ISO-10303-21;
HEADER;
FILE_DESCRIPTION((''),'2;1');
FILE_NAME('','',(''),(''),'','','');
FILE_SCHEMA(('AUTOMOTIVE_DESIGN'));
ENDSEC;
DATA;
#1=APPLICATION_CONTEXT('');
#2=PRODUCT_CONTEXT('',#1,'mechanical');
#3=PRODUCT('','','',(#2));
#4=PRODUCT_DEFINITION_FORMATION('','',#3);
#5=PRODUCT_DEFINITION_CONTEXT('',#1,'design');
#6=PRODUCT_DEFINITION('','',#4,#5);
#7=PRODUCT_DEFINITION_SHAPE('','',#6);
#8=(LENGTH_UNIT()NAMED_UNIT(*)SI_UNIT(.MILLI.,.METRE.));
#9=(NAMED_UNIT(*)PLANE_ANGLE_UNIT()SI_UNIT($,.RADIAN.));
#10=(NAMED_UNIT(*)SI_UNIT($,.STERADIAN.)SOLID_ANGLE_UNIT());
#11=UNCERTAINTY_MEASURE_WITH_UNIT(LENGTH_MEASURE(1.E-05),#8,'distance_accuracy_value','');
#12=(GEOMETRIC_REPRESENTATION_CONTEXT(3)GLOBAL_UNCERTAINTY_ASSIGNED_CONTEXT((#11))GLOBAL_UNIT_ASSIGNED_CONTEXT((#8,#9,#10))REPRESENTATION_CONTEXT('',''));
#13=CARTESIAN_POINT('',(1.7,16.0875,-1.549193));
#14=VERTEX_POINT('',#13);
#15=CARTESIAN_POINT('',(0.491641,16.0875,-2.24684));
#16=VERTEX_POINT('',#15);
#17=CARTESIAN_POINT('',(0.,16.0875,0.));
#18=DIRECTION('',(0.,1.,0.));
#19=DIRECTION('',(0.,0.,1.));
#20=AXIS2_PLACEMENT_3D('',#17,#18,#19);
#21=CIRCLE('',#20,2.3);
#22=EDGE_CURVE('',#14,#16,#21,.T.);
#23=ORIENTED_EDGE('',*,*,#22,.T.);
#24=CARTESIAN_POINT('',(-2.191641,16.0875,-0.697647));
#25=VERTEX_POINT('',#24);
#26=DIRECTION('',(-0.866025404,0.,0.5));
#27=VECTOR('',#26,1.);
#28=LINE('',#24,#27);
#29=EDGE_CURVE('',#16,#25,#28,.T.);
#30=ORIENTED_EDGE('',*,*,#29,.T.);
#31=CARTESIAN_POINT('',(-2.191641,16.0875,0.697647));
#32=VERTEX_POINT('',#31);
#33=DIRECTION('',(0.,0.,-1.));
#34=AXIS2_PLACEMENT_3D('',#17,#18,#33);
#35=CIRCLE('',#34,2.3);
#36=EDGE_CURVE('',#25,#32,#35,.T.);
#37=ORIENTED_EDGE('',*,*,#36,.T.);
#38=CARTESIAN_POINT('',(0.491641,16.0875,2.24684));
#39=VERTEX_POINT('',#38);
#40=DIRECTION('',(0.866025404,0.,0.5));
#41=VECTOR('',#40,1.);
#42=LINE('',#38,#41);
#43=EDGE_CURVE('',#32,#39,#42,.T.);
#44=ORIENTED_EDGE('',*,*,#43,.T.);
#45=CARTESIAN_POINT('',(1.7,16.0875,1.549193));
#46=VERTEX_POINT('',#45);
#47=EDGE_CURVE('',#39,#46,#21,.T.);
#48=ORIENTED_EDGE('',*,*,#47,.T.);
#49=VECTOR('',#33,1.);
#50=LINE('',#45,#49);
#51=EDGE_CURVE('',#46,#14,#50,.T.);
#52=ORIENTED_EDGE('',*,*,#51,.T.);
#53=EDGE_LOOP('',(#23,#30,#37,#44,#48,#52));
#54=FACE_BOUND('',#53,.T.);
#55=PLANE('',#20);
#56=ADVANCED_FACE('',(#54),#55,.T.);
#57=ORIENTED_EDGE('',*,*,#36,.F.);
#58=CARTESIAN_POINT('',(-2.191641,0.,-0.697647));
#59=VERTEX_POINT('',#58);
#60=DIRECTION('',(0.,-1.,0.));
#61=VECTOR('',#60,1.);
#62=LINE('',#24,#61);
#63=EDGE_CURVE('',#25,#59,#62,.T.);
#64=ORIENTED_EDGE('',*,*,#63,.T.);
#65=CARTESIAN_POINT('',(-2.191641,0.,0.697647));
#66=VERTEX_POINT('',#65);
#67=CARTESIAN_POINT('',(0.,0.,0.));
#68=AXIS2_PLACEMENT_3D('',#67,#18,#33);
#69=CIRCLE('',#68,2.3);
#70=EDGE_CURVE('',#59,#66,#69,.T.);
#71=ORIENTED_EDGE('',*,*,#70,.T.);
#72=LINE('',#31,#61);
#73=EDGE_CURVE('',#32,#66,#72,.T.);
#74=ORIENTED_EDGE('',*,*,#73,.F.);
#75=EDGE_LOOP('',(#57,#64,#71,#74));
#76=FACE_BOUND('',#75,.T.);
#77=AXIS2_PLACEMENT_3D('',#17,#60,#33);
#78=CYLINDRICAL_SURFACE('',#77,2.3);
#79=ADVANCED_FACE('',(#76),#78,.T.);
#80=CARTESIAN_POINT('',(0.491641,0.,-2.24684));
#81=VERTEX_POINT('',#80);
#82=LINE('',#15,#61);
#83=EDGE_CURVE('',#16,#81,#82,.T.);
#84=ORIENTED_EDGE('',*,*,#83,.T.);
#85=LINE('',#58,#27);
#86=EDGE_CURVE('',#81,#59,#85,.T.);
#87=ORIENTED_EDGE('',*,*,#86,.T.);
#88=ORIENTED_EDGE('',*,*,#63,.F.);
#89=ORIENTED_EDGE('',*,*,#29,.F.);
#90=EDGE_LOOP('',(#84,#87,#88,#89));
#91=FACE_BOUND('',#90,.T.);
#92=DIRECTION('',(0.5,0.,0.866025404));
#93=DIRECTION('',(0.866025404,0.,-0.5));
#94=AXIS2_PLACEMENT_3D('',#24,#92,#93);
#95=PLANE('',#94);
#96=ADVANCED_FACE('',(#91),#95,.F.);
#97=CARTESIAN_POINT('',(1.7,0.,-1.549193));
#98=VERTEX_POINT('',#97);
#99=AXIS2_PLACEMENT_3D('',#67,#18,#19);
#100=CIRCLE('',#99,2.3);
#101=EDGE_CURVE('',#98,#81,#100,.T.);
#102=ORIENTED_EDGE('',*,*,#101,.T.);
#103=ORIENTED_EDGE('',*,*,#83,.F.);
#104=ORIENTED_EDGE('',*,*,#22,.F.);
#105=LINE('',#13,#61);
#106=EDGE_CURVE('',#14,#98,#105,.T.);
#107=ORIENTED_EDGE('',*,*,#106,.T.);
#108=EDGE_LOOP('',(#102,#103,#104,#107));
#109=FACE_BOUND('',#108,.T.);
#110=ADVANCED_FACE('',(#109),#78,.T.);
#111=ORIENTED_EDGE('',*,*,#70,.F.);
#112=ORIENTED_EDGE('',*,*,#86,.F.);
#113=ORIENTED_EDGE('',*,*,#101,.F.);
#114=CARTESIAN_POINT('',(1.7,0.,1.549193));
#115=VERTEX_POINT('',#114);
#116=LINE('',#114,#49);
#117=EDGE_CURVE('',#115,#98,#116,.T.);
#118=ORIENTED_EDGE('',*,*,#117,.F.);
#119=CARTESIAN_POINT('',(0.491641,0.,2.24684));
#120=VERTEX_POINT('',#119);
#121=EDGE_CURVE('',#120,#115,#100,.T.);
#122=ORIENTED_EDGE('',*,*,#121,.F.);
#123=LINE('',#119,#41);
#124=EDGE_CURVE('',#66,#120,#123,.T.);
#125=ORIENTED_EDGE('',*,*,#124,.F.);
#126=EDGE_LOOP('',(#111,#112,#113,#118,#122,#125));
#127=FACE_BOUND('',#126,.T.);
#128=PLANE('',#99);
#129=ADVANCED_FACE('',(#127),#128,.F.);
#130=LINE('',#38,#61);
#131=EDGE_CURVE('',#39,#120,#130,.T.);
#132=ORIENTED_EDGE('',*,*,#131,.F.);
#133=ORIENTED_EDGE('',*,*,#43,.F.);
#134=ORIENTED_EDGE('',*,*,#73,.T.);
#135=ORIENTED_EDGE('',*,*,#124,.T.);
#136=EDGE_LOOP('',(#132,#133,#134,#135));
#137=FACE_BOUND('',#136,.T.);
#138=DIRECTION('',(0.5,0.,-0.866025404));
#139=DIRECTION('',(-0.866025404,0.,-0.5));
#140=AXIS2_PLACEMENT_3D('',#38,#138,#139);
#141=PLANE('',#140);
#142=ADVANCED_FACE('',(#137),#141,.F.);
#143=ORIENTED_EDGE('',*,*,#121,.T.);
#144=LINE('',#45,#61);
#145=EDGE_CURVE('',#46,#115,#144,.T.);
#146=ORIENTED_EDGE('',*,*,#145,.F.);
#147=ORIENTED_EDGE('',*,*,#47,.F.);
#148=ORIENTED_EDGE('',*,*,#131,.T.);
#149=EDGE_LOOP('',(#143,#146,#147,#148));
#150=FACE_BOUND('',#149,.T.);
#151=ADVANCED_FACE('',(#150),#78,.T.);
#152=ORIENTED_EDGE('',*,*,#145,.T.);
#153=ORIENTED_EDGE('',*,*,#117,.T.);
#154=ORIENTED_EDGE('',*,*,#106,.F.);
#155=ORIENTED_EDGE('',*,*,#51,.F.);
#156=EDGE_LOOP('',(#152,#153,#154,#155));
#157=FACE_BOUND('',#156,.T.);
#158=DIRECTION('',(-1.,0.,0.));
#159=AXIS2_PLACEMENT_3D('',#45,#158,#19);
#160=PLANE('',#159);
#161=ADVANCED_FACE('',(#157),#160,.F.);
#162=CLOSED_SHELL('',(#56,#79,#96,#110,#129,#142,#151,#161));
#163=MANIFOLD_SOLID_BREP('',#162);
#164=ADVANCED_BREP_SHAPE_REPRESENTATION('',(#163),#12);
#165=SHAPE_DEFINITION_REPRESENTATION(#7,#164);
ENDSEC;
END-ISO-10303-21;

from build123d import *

# Parameters (mm, degrees)
RESSALTO_EXTRUS_O1_DEPTH = 16.0875


with BuildPart() as part:
    # Esboço1 → Ressalto-extrusão1 (new body)
    with BuildSketch(Plane(origin=(0, 0, 0), x_dir=(1, 0, 0), z_dir=(0, 1, 0))):
        with BuildLine():
            Line((0.491640786, -2.246839856), (-2.191640786, -0.697646517))
            ThreePointArc((-2.191640786, -0.697646517), (-2.3, 0), (-2.191640786, 0.697646517))
            Line((-2.191640786, 0.697646517), (0.491640786, 2.246839856))
            ThreePointArc((0.491640786, 2.246839856), (1.15, 1.991858429), (1.7, 1.549193338))
            Line((1.7, 1.549193338), (1.7, -1.549193338))
            ThreePointArc((1.7, -1.549193338), (1.15, -1.991858429), (0.491640786, -2.246839856))
        make_face()
    extrude(amount=RESSALTO_EXTRUS_O1_DEPTH)


solid = part.part
